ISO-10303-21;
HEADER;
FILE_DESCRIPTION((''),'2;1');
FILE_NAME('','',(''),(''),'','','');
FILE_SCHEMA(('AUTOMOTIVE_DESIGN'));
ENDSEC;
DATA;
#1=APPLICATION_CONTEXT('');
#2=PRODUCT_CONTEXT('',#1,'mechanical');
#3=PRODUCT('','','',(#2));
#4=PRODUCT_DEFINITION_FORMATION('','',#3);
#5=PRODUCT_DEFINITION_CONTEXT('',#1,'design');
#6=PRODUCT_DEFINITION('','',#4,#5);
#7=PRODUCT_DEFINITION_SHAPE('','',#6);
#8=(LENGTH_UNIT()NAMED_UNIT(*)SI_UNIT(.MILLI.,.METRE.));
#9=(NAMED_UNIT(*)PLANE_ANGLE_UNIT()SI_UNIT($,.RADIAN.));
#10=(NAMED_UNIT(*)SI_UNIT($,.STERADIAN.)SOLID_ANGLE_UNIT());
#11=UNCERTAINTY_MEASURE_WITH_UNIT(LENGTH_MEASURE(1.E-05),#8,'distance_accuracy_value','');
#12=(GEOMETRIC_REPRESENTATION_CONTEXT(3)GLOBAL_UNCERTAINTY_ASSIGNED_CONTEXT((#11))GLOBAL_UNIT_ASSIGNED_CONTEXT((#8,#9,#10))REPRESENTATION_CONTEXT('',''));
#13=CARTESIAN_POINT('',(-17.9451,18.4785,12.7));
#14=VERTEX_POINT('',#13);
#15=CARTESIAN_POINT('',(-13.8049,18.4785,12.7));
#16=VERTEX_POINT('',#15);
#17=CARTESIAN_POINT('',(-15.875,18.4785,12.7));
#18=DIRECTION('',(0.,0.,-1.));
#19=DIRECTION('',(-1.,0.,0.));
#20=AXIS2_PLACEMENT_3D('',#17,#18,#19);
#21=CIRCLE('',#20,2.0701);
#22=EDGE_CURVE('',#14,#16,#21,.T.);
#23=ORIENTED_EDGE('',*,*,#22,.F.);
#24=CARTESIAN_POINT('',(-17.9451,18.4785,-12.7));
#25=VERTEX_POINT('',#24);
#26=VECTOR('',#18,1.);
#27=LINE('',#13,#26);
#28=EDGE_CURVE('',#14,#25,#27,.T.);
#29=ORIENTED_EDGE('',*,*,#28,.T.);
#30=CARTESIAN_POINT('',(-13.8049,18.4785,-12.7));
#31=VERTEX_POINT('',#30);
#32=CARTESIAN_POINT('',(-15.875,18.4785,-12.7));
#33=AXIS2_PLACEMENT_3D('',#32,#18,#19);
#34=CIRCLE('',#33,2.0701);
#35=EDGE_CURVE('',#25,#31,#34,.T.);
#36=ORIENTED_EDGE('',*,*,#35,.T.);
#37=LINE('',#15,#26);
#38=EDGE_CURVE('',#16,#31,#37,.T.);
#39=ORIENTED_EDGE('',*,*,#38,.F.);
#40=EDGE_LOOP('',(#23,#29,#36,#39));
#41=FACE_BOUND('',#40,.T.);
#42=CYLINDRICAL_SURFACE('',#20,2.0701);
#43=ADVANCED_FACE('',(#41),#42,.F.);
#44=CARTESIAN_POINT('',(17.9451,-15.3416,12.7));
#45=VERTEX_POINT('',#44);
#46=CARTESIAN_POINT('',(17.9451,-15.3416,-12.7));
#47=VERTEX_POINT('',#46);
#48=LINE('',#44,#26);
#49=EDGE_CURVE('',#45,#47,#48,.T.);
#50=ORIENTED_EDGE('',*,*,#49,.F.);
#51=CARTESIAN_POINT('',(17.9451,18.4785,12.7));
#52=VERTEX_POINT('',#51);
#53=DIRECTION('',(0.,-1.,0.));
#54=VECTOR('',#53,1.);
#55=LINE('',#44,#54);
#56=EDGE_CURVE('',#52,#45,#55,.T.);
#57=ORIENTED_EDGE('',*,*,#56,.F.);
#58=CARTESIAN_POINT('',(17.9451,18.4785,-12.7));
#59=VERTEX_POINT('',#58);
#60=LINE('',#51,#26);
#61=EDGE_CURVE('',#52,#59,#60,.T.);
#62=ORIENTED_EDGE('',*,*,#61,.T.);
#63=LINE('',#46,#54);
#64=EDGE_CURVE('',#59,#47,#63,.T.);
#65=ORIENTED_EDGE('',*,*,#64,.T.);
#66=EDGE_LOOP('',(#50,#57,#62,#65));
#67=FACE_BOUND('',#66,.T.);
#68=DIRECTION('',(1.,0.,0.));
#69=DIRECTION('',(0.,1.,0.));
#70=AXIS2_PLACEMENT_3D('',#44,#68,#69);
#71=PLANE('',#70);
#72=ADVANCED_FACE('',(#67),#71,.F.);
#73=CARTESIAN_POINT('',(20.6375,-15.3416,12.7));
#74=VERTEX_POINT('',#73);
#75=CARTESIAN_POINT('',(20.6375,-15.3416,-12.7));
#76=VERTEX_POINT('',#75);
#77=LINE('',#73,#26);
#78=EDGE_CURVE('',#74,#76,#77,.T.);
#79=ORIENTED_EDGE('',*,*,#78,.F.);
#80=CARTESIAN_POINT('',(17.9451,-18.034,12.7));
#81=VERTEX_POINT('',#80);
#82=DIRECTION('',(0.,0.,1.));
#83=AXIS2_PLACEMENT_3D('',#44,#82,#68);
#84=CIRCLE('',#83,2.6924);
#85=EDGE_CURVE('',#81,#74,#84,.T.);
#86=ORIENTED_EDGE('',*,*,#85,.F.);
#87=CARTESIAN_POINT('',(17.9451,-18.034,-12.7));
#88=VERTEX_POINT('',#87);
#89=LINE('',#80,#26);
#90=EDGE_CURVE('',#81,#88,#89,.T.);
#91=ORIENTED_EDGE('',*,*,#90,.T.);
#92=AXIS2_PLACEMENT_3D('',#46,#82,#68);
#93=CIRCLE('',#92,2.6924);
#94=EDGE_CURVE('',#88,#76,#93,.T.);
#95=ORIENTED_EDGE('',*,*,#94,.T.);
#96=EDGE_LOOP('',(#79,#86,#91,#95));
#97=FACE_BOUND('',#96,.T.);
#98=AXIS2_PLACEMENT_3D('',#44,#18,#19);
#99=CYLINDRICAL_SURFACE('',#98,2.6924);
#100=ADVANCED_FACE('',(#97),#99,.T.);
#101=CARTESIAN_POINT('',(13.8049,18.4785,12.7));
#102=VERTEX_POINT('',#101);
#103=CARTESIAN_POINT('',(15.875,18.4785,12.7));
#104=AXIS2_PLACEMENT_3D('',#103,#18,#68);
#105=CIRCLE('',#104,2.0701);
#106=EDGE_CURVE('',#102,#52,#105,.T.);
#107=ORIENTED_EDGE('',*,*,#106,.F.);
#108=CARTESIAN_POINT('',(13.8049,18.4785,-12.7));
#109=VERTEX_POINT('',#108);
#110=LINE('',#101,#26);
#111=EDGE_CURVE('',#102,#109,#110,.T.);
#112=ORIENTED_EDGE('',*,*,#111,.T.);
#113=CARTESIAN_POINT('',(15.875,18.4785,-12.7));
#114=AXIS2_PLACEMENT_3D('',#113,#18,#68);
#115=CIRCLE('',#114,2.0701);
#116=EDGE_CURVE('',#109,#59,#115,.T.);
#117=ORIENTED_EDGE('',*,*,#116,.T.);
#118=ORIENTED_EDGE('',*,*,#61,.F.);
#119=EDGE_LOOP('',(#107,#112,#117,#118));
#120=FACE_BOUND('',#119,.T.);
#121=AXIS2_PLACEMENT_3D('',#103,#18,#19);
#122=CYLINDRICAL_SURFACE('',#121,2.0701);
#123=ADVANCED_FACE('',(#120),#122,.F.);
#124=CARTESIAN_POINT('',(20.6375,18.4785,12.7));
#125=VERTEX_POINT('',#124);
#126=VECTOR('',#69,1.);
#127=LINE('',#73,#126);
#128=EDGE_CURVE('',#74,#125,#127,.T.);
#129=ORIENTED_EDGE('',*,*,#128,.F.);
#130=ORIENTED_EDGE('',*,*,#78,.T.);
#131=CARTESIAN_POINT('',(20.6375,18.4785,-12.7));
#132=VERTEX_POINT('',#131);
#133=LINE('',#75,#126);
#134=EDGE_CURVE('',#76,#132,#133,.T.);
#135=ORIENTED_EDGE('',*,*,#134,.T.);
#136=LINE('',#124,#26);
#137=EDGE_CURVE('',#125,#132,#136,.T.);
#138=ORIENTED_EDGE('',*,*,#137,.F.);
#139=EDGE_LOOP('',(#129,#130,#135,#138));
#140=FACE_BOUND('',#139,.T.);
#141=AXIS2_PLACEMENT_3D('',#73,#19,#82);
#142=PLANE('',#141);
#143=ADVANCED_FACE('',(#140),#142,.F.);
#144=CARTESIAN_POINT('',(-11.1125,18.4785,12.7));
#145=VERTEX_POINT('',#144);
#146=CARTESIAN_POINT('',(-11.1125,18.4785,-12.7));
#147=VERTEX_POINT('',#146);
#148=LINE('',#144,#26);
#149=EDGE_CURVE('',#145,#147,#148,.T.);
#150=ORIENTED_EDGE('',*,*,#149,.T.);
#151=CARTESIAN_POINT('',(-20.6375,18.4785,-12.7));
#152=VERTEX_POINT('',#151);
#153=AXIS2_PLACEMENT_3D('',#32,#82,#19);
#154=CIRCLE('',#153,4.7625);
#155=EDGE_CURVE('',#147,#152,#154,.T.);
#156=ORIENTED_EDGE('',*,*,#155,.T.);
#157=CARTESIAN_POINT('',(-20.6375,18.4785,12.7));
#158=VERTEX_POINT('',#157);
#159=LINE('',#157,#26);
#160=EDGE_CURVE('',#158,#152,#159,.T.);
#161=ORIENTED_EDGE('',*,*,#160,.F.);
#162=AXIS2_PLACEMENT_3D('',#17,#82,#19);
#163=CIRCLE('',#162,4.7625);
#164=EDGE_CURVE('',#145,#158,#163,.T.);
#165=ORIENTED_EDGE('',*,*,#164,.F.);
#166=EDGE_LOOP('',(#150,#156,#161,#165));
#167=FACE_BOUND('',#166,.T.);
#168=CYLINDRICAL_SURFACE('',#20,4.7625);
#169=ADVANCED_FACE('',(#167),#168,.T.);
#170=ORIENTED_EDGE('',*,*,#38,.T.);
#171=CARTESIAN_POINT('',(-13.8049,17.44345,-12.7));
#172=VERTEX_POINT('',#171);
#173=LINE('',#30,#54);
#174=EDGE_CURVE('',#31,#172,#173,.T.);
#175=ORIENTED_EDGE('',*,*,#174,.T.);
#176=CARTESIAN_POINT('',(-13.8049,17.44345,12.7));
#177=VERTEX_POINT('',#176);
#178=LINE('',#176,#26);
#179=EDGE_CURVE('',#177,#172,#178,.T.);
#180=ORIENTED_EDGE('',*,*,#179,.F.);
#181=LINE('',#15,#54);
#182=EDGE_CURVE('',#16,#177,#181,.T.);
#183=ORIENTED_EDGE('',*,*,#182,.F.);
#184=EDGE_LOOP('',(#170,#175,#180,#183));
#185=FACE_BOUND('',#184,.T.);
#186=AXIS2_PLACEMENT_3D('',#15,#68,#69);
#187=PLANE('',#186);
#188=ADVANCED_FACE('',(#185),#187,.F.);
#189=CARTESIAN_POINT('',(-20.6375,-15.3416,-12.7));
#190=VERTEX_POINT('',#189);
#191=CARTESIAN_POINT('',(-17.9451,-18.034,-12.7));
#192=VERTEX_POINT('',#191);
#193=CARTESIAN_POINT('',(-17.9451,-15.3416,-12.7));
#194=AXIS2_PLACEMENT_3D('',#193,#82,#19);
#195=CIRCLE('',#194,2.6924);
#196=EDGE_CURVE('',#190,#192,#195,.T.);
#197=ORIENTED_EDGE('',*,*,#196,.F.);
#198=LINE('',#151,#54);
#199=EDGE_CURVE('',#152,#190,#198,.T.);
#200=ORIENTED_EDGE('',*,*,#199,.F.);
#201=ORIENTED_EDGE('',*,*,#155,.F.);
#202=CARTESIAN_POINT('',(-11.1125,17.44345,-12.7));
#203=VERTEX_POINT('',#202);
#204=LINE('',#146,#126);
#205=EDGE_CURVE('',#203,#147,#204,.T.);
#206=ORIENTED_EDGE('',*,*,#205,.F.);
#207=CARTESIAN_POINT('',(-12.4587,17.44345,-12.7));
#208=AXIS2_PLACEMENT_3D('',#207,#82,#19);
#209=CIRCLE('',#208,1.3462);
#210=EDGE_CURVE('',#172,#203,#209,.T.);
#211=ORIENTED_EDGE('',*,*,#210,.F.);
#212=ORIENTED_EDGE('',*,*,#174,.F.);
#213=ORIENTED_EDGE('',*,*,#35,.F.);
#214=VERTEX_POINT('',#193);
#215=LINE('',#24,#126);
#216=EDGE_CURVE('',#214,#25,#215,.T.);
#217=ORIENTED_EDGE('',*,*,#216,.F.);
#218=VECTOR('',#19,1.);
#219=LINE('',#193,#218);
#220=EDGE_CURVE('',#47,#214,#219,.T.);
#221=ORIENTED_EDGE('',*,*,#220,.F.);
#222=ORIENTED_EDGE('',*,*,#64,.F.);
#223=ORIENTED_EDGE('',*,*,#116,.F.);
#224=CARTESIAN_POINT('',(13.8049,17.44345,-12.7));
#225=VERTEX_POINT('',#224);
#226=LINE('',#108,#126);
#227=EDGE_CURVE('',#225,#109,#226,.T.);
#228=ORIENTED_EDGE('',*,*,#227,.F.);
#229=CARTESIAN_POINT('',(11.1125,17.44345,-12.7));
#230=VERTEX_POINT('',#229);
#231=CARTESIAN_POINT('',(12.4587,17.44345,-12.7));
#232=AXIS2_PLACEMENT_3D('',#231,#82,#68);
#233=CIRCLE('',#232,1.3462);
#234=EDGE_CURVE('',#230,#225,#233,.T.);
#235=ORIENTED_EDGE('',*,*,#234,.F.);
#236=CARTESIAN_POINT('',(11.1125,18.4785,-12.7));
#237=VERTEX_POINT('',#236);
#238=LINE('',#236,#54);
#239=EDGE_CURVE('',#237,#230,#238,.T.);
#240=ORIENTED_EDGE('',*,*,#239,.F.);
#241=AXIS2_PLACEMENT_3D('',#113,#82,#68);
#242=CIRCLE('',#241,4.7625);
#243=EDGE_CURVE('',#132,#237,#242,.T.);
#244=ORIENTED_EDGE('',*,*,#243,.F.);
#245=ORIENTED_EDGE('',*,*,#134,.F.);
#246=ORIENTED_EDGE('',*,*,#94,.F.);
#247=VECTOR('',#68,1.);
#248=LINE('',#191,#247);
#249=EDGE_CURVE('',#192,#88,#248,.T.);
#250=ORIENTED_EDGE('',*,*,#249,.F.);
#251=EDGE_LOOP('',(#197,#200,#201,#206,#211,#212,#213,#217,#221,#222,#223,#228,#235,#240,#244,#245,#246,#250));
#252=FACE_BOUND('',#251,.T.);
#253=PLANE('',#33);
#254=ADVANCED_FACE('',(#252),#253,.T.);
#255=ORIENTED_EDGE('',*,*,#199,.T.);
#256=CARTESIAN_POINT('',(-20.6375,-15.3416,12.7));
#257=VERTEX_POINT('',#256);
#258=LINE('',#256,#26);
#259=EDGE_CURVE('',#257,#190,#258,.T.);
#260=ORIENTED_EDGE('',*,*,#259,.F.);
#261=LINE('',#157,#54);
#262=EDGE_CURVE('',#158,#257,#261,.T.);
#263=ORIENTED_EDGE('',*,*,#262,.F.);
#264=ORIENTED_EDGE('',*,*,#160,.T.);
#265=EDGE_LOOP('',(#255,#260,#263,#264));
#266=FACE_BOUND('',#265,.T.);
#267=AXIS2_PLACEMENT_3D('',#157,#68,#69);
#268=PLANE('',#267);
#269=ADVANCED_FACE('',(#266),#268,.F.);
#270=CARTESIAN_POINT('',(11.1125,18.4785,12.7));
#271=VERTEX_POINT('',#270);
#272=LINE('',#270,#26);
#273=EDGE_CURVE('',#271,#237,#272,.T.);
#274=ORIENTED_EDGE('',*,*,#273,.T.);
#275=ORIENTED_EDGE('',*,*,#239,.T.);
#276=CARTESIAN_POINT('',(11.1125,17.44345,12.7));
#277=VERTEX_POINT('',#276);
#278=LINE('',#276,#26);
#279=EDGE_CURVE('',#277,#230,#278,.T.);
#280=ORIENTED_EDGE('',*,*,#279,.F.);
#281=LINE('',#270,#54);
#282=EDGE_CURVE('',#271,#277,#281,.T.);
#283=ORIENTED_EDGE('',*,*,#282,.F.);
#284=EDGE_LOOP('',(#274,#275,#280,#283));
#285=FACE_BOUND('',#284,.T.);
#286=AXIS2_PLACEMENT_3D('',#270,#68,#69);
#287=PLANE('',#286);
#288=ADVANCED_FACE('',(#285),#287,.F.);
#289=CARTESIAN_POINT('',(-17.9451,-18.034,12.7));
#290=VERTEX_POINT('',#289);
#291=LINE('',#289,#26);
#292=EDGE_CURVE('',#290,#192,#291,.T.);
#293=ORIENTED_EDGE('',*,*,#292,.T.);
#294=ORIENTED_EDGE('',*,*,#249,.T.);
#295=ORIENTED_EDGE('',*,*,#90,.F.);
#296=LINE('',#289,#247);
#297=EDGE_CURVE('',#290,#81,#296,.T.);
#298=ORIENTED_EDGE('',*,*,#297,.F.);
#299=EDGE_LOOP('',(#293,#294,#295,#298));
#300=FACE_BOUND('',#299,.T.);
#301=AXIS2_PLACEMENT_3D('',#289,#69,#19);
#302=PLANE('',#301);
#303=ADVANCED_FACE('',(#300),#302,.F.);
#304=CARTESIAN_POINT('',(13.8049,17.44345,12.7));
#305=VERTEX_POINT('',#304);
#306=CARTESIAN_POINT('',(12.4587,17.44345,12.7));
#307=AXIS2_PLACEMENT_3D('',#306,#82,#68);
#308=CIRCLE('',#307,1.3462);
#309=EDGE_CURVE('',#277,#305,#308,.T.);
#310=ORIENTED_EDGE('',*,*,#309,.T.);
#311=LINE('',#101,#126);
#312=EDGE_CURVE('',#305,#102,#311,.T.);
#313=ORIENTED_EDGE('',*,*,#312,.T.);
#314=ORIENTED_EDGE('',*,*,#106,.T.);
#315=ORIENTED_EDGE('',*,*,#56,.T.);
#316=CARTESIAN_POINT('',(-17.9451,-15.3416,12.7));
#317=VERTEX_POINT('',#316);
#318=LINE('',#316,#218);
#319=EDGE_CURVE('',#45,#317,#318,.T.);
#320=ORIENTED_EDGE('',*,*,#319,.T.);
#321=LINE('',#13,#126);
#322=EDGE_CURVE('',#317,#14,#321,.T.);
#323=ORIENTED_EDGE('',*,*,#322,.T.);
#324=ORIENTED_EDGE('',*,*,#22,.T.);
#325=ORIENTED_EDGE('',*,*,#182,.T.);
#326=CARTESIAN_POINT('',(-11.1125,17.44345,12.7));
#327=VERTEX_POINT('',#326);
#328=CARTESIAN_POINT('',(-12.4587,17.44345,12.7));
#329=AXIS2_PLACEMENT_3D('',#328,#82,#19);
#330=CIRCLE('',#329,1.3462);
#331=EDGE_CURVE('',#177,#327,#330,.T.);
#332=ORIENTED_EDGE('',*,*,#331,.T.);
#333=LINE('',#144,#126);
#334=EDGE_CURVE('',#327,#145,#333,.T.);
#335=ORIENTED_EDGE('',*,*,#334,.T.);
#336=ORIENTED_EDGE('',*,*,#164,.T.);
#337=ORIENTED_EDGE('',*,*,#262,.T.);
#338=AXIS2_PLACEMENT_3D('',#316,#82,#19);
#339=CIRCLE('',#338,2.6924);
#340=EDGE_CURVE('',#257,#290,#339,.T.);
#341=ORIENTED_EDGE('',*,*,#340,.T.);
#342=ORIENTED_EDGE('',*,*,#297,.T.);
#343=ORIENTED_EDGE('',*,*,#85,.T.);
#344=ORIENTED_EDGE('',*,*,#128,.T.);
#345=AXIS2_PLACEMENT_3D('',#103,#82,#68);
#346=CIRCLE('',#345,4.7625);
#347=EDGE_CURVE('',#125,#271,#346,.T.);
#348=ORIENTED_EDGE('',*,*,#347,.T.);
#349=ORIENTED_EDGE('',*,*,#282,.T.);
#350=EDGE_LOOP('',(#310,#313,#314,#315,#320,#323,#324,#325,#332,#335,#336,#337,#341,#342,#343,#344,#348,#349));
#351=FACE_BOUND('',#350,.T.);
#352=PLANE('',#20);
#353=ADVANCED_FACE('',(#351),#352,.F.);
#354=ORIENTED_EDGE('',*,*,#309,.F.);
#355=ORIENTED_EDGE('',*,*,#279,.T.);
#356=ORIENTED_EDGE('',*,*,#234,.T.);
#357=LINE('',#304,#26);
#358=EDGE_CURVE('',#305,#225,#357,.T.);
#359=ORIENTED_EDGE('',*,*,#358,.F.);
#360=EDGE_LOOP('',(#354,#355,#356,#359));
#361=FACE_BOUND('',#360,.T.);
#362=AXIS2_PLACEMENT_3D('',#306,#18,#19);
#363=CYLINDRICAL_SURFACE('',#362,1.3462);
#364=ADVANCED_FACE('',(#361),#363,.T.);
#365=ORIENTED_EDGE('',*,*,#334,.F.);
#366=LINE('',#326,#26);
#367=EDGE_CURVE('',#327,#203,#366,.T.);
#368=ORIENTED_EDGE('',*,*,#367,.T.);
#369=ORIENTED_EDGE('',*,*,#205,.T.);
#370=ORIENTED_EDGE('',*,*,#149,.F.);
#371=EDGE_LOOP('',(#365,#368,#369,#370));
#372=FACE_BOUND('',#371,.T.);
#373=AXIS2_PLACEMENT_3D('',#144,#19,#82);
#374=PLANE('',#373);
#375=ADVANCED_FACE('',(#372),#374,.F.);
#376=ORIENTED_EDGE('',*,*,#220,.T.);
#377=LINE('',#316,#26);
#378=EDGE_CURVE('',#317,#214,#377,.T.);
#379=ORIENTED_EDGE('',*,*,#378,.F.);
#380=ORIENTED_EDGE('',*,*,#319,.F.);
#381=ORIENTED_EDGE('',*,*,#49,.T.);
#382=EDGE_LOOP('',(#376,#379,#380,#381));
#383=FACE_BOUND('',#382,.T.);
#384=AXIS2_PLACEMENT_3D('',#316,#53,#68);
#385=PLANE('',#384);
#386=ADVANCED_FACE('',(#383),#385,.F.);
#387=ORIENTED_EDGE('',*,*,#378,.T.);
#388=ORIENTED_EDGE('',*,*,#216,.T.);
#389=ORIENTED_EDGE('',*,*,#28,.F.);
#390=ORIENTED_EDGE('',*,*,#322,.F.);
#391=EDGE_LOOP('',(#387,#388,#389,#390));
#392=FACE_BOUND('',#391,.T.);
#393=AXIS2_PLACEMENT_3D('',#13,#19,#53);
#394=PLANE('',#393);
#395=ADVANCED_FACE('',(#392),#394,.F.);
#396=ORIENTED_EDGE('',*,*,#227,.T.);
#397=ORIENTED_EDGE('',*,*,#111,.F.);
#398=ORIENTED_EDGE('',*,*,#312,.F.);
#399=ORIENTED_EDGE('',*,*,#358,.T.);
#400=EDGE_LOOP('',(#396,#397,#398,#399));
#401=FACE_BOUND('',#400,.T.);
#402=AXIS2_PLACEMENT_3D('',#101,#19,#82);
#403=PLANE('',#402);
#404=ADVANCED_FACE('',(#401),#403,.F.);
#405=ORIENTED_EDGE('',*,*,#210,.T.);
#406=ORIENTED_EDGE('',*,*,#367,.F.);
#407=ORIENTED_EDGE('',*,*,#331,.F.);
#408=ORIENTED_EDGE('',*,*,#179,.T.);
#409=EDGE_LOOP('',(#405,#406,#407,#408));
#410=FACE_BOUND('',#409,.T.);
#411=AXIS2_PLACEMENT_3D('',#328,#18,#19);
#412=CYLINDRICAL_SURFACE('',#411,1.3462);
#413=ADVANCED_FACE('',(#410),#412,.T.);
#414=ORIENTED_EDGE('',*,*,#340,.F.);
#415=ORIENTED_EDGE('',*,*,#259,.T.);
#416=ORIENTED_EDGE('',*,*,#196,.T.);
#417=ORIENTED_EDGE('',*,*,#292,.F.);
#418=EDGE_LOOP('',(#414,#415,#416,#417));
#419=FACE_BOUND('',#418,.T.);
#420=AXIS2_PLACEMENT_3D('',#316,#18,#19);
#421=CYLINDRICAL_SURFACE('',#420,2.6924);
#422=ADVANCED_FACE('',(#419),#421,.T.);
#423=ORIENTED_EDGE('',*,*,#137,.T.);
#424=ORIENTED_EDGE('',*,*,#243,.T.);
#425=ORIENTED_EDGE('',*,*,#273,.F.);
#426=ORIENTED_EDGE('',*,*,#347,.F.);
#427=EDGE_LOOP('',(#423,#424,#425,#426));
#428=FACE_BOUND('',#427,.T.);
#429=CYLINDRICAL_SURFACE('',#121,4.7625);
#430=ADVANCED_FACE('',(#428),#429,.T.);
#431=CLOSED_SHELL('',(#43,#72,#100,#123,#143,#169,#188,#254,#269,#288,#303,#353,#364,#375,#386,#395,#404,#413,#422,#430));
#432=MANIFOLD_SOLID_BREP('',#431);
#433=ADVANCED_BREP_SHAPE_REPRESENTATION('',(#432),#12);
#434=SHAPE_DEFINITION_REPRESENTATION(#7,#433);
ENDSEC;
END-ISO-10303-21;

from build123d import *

# Parameters (mm, degrees)
BASE_EXTRUDE_DEPTH = 12.7


with BuildPart() as part:
    # Sketch1 → Base-Extrude (new, symmetric)
    with BuildSketch(Plane.XY):
        with BuildLine():
            Line((-20.6375, 18.4785), (-20.6375, -15.3416))
            ThreePointArc((-20.6375, -15.3416), (-19.848914298, -17.245414298), (-17.9451, -18.034))
            Line((-17.9451, -18.034), (17.9451, -18.034))
            ThreePointArc((17.9451, -18.034), (19.848914298, -17.245414298), (20.6375, -15.3416))
            Line((20.6375, -15.3416), (20.6375, 18.4785))
            ThreePointArc((20.6375, 18.4785), (15.875, 23.241), (11.1125, 18.4785))
            Line((11.1125, 18.4785), (11.1125, 17.44345))
            ThreePointArc((11.1125, 17.44345), (12.4587, 16.09725), (13.8049, 17.44345))
            Line((13.8049, 17.44345), (13.8049, 18.4785))
            ThreePointArc((13.8049, 18.4785), (15.875, 20.5486), (17.9451, 18.4785))
            Line((17.9451, 18.4785), (17.9451, -15.3416))
            Line((17.9451, -15.3416), (-17.9451, -15.3416))
            Line((-17.9451, -15.3416), (-17.9451, 18.4785))
            ThreePointArc((-17.9451, 18.4785), (-15.875, 20.5486), (-13.8049, 18.4785))
            Line((-13.8049, 18.4785), (-13.8049, 17.44345))
            ThreePointArc((-13.8049, 17.44345), (-12.4587, 16.09725), (-11.1125, 17.44345))
            Line((-11.1125, 17.44345), (-11.1125, 18.4785))
            ThreePointArc((-11.1125, 18.4785), (-15.875, 23.241), (-20.6375, 18.4785))
        make_face()
    extrude(amount=BASE_EXTRUDE_DEPTH, both=True)


solid = part.part
